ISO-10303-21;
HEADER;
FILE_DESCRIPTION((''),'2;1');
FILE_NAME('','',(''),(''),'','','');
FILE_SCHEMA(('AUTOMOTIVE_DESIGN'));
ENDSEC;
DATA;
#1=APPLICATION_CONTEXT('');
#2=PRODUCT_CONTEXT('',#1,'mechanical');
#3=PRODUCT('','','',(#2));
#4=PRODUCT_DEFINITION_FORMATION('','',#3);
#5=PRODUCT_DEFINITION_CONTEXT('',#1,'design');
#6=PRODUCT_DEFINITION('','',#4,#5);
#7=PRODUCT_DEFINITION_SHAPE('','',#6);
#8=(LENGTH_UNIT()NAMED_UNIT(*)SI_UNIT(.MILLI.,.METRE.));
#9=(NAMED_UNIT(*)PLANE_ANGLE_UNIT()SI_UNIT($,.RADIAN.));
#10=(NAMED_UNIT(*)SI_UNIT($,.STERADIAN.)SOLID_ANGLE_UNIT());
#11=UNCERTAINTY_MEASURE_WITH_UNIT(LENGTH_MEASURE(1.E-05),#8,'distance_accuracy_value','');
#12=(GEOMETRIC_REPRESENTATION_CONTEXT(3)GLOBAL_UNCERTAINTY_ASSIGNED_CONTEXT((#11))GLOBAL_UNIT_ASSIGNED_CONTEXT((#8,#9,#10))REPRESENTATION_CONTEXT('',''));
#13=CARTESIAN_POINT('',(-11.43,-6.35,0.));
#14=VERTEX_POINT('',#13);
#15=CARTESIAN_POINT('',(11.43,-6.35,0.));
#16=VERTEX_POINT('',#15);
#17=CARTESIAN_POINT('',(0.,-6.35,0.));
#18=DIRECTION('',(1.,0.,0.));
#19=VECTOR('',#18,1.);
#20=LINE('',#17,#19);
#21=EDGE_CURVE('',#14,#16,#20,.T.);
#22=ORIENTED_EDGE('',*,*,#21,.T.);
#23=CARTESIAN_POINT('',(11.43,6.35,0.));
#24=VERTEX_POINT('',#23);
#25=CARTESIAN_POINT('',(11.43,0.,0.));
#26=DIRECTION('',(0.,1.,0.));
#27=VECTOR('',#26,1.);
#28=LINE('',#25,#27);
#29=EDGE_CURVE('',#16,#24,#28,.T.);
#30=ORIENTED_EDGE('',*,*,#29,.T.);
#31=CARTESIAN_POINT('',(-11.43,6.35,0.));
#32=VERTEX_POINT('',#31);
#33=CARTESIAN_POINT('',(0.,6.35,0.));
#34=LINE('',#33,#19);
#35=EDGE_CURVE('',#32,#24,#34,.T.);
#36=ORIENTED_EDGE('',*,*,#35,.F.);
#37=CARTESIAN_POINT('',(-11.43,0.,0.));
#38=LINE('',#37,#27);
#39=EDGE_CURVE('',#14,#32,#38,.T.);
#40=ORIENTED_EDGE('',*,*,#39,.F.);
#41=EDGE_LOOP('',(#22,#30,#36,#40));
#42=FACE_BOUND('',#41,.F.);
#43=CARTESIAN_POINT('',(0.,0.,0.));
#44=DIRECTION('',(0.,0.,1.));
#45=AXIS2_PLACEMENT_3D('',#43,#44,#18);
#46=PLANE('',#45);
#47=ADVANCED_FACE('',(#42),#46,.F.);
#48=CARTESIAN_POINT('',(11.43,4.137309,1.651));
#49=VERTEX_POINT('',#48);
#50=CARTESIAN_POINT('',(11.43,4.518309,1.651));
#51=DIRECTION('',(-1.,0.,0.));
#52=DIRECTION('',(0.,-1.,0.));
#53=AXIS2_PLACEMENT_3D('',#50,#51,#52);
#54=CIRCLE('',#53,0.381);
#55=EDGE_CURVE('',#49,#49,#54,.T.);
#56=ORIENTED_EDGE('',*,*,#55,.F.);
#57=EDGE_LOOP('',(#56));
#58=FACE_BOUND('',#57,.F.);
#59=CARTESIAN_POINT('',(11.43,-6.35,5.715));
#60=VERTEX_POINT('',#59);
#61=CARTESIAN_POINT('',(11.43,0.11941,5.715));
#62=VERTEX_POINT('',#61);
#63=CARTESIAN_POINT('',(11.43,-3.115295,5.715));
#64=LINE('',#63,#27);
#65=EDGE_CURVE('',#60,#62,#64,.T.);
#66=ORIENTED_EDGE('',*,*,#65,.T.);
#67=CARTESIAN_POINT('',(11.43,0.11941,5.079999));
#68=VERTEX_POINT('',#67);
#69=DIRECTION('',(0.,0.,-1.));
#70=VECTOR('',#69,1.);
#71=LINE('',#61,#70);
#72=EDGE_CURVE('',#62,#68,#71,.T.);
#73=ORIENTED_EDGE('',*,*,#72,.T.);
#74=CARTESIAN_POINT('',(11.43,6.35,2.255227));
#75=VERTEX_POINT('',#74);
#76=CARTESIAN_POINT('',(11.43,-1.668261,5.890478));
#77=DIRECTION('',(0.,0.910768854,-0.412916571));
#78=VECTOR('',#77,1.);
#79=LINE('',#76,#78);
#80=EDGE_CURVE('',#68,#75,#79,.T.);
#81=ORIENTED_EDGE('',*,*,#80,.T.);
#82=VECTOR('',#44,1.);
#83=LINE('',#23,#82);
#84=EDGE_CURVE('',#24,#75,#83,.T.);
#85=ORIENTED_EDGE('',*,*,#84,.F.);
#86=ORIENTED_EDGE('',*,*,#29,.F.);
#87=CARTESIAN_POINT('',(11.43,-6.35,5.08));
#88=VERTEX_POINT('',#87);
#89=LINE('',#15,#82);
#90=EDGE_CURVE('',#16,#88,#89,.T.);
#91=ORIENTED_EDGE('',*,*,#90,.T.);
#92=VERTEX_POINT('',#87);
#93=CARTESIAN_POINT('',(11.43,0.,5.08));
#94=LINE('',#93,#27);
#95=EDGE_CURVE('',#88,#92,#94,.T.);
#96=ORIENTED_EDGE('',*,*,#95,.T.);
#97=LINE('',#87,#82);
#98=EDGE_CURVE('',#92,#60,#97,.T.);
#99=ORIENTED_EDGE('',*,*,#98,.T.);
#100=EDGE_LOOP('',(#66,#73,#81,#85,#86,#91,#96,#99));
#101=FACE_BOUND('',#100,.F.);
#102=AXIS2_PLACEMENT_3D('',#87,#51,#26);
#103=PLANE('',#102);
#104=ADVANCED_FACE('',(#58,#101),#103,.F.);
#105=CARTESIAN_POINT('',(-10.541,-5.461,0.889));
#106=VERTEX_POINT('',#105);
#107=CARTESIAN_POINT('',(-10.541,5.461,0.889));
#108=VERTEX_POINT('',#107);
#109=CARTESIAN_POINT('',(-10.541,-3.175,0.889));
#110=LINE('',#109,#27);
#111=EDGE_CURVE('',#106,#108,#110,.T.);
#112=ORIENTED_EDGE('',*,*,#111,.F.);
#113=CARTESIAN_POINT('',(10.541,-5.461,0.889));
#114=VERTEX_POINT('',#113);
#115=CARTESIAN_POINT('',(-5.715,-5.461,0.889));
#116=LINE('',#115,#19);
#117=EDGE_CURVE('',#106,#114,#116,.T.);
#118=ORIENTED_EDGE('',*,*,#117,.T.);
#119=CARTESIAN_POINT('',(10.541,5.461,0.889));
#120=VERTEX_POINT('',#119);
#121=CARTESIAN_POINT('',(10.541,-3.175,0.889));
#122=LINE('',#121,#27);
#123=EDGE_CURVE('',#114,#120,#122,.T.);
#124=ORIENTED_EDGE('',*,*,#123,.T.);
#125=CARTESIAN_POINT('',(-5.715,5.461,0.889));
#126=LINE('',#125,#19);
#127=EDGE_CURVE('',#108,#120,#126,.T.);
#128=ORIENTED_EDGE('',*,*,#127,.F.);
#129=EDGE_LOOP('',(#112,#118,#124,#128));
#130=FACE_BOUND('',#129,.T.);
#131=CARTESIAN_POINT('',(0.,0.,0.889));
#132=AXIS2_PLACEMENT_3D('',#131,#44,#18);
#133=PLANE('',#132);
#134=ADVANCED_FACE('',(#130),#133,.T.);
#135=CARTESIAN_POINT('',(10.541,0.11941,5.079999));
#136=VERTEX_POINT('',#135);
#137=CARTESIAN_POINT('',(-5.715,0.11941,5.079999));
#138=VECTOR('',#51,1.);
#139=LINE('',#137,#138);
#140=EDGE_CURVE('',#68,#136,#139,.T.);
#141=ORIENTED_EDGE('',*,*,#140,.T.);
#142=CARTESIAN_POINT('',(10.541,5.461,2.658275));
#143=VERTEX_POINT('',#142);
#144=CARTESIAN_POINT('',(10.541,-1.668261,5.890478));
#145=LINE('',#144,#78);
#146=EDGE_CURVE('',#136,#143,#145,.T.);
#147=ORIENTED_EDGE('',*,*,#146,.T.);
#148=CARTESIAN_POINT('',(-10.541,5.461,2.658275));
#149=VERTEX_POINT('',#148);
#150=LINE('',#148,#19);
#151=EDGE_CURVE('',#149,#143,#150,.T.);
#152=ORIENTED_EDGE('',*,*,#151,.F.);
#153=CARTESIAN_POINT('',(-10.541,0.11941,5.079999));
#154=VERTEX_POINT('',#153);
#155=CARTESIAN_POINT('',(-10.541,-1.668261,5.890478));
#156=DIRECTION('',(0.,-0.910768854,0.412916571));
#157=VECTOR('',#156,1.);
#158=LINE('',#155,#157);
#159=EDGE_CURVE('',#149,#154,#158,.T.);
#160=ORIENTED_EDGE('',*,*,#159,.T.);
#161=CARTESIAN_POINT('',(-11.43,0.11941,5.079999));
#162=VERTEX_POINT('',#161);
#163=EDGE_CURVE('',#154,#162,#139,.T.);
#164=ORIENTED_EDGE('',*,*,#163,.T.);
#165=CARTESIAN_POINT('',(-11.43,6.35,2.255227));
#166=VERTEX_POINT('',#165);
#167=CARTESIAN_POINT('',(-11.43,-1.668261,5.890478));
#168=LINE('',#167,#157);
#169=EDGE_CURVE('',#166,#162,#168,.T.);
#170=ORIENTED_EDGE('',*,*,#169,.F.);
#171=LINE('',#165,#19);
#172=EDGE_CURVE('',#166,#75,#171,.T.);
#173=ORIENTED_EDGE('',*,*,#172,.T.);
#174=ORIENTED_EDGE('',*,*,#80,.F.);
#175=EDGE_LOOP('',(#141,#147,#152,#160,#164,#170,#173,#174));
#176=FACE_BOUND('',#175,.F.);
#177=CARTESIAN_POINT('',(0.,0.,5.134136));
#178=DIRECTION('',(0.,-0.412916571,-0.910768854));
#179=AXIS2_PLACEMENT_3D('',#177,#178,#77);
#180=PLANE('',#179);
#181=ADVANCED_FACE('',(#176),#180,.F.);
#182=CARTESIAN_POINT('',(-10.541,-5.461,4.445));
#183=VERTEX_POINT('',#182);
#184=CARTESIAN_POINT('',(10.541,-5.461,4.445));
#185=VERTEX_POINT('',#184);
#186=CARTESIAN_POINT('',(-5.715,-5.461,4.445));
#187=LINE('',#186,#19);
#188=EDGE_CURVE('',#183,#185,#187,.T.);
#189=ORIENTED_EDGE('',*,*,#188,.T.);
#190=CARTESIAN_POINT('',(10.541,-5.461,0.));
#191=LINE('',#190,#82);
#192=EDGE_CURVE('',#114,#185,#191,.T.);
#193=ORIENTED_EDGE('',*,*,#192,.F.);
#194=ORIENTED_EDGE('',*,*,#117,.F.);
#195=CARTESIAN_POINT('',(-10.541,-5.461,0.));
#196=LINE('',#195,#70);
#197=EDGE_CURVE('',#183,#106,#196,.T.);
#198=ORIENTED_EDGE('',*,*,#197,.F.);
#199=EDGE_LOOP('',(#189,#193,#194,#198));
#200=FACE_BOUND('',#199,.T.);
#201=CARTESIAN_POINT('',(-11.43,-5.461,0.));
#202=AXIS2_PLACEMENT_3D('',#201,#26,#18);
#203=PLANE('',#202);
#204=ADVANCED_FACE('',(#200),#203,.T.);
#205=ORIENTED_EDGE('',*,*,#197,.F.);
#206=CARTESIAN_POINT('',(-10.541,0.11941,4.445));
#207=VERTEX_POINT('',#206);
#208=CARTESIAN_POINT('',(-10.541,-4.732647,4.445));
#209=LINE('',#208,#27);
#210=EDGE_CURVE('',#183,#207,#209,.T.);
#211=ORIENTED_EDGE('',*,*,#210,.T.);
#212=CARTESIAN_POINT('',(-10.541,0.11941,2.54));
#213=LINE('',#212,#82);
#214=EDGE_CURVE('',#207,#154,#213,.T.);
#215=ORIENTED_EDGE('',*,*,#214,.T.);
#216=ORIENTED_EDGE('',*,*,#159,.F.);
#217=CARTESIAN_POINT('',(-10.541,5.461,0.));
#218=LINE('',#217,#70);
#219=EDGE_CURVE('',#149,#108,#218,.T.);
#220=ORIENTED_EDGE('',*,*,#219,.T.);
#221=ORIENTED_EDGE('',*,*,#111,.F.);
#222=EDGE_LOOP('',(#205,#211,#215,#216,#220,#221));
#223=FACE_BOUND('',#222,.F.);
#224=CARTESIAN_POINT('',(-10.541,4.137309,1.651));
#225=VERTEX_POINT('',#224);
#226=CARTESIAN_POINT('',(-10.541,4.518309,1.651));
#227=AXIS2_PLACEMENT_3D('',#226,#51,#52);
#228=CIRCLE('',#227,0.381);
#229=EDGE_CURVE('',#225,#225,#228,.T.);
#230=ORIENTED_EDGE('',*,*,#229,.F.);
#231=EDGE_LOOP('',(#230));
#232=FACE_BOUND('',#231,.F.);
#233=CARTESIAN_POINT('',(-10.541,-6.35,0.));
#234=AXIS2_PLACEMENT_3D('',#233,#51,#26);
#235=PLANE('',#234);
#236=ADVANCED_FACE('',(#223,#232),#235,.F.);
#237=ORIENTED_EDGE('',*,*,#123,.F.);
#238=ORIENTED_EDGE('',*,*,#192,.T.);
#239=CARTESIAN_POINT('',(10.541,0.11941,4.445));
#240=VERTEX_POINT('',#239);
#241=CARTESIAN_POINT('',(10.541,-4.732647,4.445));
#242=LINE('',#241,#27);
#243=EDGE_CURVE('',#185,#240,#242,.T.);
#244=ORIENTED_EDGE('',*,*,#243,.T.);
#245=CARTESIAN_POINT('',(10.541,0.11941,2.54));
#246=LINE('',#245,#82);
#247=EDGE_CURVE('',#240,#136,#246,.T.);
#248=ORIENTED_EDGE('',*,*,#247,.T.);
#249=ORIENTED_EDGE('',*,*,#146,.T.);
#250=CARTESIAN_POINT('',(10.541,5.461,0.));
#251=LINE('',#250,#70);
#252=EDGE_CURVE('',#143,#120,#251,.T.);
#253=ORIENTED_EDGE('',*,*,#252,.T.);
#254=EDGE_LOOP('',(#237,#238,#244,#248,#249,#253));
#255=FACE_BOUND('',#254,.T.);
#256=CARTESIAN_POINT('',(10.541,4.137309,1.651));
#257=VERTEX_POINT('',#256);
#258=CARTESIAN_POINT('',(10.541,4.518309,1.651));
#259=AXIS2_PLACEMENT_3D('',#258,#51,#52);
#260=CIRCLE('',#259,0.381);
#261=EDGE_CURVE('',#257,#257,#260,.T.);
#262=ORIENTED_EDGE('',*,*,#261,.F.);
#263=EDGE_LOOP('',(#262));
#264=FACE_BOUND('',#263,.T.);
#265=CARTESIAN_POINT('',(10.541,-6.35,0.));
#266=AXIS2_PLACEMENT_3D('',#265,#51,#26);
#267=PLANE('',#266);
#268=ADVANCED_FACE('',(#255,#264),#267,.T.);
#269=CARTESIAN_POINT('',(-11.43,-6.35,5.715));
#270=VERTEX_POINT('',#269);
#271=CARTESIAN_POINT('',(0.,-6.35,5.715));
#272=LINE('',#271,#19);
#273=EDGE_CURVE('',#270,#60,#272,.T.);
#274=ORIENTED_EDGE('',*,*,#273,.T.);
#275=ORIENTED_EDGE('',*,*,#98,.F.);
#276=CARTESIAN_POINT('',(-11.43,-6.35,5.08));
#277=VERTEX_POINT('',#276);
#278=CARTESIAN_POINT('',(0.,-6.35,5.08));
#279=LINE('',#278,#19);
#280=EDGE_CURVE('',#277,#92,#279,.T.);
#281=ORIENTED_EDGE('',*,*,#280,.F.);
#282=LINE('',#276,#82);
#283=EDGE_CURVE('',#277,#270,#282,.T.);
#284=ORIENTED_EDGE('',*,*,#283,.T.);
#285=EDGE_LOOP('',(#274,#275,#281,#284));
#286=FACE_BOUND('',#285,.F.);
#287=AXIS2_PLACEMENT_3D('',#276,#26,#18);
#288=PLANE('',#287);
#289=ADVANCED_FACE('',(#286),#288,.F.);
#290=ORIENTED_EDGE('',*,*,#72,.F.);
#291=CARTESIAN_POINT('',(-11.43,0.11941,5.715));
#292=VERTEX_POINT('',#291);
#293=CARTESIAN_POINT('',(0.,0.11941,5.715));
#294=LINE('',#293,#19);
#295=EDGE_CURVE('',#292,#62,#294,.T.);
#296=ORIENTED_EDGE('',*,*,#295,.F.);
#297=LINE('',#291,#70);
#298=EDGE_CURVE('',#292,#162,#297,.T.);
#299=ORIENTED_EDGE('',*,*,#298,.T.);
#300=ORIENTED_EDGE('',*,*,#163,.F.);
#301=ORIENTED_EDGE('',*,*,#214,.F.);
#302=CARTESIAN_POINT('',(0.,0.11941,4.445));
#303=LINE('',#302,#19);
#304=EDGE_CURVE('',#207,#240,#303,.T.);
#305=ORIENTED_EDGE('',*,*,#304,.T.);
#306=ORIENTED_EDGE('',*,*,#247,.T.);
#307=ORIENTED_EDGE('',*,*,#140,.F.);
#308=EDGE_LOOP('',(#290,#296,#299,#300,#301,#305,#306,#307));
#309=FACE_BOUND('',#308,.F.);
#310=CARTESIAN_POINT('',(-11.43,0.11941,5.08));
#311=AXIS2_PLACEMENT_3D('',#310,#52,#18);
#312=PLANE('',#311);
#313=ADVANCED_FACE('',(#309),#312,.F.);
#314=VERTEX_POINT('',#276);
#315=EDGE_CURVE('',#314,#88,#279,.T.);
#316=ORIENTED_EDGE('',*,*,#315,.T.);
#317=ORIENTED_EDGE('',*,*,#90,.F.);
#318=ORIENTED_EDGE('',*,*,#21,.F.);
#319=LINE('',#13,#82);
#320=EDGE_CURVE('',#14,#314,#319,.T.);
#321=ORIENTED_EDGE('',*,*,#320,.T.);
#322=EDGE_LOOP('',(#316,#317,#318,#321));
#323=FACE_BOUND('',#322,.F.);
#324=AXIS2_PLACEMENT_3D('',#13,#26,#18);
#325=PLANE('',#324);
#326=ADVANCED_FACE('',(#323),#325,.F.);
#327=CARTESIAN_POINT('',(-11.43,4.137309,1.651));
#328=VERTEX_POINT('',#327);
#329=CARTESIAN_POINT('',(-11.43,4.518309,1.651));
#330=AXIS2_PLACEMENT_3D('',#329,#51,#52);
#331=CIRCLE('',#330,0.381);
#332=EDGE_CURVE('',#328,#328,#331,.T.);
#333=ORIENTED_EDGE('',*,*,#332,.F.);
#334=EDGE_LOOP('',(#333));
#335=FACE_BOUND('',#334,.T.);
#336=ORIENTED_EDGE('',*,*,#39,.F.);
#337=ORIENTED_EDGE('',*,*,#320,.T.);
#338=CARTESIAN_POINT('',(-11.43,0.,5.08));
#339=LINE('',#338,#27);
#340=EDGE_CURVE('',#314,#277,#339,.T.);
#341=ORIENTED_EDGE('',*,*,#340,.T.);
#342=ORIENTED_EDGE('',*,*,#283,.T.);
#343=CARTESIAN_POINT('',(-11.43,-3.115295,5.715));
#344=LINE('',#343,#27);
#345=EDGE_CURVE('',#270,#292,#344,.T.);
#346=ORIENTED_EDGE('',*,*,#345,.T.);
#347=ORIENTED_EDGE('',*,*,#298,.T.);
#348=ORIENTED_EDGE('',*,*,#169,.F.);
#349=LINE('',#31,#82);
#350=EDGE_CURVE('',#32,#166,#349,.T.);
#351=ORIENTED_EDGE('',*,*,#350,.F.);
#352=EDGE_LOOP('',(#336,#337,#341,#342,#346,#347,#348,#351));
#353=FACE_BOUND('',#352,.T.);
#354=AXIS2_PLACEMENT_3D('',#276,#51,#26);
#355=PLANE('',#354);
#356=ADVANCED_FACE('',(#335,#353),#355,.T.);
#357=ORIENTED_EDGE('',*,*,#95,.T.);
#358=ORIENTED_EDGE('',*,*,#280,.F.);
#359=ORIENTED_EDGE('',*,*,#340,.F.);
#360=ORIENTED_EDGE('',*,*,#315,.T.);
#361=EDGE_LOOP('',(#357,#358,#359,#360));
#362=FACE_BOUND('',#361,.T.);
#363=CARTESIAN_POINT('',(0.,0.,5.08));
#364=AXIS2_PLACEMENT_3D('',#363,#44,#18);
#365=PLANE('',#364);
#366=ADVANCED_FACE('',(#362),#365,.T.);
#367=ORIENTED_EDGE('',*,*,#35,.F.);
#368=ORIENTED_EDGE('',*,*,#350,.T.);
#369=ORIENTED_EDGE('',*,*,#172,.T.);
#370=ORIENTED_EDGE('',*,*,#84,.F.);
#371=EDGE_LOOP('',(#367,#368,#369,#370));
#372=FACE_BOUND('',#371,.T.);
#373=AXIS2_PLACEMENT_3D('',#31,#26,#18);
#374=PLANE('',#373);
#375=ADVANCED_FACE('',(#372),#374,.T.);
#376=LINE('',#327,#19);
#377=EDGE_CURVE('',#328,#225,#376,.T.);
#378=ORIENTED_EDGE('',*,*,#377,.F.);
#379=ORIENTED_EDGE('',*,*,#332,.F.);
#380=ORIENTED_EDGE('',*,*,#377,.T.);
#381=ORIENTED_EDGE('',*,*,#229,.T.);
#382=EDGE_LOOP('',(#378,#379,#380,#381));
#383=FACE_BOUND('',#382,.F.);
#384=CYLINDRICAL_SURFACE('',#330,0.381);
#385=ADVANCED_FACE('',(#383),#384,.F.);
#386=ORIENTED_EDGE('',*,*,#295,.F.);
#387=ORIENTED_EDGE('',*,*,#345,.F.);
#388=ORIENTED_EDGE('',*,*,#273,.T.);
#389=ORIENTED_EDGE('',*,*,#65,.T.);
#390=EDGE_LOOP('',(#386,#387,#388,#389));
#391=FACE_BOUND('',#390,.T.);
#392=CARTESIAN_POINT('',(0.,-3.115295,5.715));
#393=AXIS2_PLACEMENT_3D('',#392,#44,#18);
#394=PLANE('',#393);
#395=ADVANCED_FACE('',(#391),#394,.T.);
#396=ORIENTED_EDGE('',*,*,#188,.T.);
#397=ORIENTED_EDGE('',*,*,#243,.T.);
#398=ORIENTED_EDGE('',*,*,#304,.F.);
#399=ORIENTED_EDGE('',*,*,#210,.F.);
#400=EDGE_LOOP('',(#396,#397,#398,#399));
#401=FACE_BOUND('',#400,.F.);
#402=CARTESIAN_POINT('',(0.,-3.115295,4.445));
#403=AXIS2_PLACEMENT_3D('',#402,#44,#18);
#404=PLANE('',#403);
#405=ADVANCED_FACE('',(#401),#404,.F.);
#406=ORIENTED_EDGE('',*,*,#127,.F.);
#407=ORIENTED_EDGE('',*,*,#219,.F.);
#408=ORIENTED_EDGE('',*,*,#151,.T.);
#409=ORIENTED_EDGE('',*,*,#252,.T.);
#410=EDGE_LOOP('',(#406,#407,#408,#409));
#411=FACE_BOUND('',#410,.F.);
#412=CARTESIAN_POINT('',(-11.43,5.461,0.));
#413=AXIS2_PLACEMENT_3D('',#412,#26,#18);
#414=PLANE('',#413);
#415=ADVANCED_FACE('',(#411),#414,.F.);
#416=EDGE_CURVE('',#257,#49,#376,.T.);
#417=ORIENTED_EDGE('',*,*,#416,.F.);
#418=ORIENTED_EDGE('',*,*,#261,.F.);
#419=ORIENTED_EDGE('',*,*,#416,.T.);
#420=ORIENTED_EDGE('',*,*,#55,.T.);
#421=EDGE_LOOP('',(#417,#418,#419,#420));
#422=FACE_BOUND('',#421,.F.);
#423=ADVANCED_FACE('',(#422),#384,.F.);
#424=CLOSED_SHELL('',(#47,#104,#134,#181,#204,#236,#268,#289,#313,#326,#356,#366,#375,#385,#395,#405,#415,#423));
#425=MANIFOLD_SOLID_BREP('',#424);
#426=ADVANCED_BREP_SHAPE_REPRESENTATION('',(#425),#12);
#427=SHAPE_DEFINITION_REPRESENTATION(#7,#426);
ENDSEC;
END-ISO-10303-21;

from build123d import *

# Parameters (mm, degrees)
F0_W          = 22.86
F0_H          = 12.7
F1_DEPTH      = 5.08
F2_T          = -0.889
F4_DEPTH      = 11.431
F4_DEPTH_BACK = 25.4
F5_W          = 22.86
F5_H          = 6.469409
F6_DEPTH      = 0.635
F6_DEPTH_BACK = 0.635
F7_R          = 0.381
F8_DEPTH      = 22.861


with BuildPart() as f1:
    # F0 (on Top) → F1 (new body)
    with BuildSketch(Plane.XY):
        Rectangle(F0_W, F0_H)
    extrude(amount=F1_DEPTH)

    # F2
    f2_openings = [f1.faces().sort_by_distance(p)[0] for p in [
        (0, 0, 5.08),
    ]]
    offset(amount=F2_T, openings=f2_openings)

    # F3 (on Right) → F4 (cut, two sides)
    with BuildSketch(Plane.YZ) as f4_sk:
        Polygon((0, 5.134136), (6.352156, 2.25425), (7.287184, 2.142046), (6.913173, 6.368374), align=None)
    extrude(amount=F4_DEPTH, mode=Mode.SUBTRACT)
    extrude(f4_sk.sketch, amount=-F4_DEPTH_BACK, mode=Mode.SUBTRACT)

    # F5 (on face) → F6 (join, two sides)
    with BuildSketch(Plane.XY.offset(5.08)) as f6_sk:
        with Locations((0, -3.115295)):
            Rectangle(F5_W, F5_H)
    extrude(amount=F6_DEPTH)
    extrude(f6_sk.sketch, amount=-F6_DEPTH_BACK)

    # F7 (on face) → F8 (cut, through all)
    with BuildSketch(Plane(origin=(-11.43, 0, 0), x_dir=(0, -1, 0), z_dir=(-1, 0, 0))):
        with Locations((-4.518309, 1.651)):
            Circle(F7_R)
    extrude(amount=-F8_DEPTH, mode=Mode.SUBTRACT)


solid = f1.part
